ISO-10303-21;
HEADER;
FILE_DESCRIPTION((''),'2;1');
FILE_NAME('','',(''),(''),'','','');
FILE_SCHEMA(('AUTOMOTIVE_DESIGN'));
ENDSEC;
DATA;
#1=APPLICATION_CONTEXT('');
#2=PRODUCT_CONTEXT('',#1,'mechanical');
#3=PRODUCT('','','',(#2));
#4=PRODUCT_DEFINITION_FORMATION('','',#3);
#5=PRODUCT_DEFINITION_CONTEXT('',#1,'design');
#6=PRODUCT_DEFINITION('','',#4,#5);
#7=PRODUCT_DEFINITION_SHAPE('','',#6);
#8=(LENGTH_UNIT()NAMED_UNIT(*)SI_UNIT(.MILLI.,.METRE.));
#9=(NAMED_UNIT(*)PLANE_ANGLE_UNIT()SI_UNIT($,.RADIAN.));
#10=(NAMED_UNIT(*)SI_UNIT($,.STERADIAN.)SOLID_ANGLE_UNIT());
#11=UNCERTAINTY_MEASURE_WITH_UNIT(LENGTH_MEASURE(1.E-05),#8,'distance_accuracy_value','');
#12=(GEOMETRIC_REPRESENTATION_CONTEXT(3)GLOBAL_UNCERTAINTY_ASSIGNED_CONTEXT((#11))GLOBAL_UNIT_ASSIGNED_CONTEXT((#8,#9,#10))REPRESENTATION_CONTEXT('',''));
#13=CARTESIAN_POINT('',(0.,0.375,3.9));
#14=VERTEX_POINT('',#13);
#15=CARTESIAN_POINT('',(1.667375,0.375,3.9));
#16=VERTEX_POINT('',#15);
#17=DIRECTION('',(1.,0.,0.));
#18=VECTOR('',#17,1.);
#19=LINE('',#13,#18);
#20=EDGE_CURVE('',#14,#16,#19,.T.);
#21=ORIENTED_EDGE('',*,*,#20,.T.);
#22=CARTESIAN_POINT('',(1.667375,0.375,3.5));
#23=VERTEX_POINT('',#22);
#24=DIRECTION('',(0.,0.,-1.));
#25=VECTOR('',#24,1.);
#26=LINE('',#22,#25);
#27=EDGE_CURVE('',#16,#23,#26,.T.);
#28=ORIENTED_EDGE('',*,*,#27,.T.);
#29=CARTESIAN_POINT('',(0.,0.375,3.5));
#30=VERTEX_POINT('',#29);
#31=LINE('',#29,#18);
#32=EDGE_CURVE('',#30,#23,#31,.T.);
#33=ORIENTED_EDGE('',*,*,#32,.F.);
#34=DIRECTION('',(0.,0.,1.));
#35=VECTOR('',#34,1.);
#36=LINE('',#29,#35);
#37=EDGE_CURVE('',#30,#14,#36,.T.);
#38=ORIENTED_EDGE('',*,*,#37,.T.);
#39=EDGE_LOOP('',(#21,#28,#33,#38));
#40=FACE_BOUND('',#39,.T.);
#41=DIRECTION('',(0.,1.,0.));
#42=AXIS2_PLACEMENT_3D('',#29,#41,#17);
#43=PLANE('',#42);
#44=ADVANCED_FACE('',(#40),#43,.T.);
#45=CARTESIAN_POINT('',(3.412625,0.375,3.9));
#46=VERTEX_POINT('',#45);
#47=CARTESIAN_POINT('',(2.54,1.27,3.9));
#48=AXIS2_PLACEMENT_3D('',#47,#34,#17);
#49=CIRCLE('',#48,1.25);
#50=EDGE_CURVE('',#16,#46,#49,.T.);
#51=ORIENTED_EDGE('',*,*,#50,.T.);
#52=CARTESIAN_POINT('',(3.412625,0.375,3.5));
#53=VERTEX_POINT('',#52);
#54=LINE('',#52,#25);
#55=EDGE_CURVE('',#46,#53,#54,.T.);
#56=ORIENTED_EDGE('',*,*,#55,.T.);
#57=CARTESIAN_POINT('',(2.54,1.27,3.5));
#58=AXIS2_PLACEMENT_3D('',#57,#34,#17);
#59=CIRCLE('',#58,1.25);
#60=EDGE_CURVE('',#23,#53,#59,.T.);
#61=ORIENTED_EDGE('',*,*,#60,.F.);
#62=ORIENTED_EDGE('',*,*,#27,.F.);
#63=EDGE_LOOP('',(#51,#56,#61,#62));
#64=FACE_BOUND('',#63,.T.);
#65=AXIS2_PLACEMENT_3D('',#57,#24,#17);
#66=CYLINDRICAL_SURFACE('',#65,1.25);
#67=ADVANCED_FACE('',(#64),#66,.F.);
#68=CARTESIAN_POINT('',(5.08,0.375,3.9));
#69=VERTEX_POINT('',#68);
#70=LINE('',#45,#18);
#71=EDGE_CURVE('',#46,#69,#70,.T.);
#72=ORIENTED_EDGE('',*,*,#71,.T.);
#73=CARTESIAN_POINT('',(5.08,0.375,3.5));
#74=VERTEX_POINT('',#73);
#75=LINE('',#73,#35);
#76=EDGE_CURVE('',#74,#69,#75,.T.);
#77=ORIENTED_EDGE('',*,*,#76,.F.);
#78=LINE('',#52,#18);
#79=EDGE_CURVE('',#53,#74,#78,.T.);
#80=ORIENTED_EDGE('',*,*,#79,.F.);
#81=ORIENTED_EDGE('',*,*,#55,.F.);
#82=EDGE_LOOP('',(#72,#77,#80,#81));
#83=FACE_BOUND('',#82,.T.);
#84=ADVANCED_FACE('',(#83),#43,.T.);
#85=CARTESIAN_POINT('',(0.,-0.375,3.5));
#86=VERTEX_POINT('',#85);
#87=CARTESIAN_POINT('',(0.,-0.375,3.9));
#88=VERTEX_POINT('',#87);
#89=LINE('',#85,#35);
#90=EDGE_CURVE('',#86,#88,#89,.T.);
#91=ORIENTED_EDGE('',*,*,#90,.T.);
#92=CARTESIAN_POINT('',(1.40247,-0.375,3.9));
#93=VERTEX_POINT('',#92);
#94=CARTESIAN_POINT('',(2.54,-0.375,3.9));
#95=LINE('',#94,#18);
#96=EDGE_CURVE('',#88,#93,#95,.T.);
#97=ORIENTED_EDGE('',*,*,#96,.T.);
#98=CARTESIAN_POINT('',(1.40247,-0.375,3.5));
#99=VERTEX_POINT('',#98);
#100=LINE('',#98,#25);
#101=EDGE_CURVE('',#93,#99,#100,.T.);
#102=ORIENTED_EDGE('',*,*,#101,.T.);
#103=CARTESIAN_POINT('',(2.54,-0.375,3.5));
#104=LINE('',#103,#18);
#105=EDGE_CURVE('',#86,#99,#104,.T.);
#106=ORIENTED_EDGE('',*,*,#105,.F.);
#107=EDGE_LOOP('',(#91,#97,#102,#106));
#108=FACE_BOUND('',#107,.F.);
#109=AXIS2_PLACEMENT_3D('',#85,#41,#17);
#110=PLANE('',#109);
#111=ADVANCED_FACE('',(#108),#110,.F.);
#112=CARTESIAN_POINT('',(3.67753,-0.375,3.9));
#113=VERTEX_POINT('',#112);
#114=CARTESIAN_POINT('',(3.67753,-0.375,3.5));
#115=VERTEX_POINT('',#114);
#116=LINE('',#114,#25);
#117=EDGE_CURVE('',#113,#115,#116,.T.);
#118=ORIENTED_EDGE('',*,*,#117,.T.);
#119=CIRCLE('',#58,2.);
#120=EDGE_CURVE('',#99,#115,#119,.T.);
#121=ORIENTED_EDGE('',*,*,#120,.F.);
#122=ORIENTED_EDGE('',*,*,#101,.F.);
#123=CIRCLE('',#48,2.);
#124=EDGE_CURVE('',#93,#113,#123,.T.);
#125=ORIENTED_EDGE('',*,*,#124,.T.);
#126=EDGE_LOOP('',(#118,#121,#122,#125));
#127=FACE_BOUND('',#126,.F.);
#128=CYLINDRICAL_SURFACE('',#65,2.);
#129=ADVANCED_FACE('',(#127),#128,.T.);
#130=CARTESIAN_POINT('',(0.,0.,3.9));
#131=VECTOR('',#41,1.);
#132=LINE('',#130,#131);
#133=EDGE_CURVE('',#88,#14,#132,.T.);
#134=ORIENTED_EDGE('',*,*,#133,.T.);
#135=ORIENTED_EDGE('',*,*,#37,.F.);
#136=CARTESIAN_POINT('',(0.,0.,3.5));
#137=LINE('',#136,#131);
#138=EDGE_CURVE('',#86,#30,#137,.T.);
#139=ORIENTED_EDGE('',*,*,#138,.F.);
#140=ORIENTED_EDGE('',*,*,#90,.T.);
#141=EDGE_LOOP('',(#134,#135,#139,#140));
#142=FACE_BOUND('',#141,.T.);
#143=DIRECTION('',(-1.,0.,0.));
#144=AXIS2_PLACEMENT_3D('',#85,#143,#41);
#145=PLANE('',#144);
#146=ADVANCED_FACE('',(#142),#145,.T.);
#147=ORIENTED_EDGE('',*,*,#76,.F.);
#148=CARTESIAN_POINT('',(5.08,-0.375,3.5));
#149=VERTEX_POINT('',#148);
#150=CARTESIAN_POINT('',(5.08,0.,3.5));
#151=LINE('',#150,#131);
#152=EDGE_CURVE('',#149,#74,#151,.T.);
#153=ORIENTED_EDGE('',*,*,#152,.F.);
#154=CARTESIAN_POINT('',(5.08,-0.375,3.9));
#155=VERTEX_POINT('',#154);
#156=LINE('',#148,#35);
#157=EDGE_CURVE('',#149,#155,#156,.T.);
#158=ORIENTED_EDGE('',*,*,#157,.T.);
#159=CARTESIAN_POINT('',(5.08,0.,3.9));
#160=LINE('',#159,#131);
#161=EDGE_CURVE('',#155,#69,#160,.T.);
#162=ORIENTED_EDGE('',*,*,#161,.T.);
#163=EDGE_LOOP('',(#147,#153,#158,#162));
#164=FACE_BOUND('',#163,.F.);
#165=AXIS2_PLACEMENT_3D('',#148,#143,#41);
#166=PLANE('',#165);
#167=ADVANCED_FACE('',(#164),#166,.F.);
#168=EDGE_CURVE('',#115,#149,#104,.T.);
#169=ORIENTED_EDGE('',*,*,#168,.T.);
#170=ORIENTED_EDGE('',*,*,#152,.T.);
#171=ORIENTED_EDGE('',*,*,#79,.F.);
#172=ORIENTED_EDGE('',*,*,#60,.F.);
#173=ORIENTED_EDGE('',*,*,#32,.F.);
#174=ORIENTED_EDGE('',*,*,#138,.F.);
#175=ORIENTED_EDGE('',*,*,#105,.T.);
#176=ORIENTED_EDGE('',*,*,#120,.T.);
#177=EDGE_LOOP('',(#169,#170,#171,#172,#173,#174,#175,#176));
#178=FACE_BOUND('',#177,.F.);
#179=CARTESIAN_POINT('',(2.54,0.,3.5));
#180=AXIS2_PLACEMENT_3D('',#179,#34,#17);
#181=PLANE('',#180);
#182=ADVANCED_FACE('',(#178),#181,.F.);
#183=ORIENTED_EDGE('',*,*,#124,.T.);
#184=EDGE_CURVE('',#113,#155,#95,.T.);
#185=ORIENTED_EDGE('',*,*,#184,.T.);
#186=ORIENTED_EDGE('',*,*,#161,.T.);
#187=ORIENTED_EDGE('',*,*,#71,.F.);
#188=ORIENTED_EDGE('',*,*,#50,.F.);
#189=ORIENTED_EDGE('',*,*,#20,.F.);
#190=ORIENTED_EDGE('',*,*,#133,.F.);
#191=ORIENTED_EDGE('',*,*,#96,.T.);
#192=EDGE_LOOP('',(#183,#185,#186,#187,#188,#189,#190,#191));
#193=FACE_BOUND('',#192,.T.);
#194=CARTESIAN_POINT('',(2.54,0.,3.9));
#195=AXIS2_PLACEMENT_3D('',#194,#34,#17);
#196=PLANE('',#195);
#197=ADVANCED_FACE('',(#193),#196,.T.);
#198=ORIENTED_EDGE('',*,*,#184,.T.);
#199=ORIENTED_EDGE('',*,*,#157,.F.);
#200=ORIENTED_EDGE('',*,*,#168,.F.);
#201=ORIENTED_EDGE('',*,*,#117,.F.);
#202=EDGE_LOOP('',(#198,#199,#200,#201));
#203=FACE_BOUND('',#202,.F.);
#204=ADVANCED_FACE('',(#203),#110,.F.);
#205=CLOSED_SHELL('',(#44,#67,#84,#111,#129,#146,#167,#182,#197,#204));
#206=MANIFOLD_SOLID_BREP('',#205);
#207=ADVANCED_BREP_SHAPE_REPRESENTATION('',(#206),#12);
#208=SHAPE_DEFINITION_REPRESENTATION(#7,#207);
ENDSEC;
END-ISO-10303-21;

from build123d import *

# Parameters (mm, degrees)
BOX005_W          = 6
BOX005_H          = 4
BOX005_DEPTH      = 0.4
CYLINDER004_R     = 1.25
CYLINDER004_DEPTH = 0.4
CYLINDER003_R     = 2
CYLINDER003_DEPTH = 0.4
BOX004_W          = 5.08
BOX004_H          = 0.75
BOX004_DEPTH      = 0.4


with BuildPart() as cut_cube001:
    # Box005 → Box005 (new body)
    with BuildSketch(Plane(origin=(-3, 2.915, 0), x_dir=(1, 0, 0), z_dir=(0, 0, 1))):
        with Locations((3, 2)):
            Rectangle(BOX005_W, BOX005_H)
    extrude(amount=BOX005_DEPTH)


with BuildPart() as c_cut:
    # Cylinder004 → Cylinder004 (new body)
    with BuildSketch(Plane(origin=(0, 3.81, 0), x_dir=(1, 0, 0), z_dir=(0, 0, 1))):
        Circle(CYLINDER004_R)
    extrude(amount=CYLINDER004_DEPTH)


with BuildPart() as cut006:
    # Cylinder003 → Cylinder003 (new body)
    with BuildSketch(Plane(origin=(0, 3.81, 0), x_dir=(1, 0, 0), z_dir=(0, 0, 1))):
        Circle(CYLINDER003_R)
    extrude(amount=CYLINDER003_DEPTH)

    # Cut005: cut C_cut
    add(c_cut.part, mode=Mode.SUBTRACT)

    # Cut006: cut cut_cube001
    add(cut_cube001.part, mode=Mode.SUBTRACT)


with BuildPart() as c_chip001:
    # Box004 → Box004 (new body)
    with BuildSketch(Plane(origin=(-2.54, 2.165, 0), x_dir=(1, 0, 0), z_dir=(0, 0, 1))):
        with Locations((2.54, 0.375)):
            Rectangle(BOX004_W, BOX004_H)
    extrude(amount=BOX004_DEPTH)

    # Cut004: cut C_cut
    add(c_cut.part, mode=Mode.SUBTRACT)

    # Fusion009: union Cut006
    add(cut006.part)


with BuildPart() as c_chip001_1:
    # Fusion009 placement: moved
    add(c_chip001.part.moved(Location((2.54, -2.54, 3.5))))


solid = c_chip001_1.part
